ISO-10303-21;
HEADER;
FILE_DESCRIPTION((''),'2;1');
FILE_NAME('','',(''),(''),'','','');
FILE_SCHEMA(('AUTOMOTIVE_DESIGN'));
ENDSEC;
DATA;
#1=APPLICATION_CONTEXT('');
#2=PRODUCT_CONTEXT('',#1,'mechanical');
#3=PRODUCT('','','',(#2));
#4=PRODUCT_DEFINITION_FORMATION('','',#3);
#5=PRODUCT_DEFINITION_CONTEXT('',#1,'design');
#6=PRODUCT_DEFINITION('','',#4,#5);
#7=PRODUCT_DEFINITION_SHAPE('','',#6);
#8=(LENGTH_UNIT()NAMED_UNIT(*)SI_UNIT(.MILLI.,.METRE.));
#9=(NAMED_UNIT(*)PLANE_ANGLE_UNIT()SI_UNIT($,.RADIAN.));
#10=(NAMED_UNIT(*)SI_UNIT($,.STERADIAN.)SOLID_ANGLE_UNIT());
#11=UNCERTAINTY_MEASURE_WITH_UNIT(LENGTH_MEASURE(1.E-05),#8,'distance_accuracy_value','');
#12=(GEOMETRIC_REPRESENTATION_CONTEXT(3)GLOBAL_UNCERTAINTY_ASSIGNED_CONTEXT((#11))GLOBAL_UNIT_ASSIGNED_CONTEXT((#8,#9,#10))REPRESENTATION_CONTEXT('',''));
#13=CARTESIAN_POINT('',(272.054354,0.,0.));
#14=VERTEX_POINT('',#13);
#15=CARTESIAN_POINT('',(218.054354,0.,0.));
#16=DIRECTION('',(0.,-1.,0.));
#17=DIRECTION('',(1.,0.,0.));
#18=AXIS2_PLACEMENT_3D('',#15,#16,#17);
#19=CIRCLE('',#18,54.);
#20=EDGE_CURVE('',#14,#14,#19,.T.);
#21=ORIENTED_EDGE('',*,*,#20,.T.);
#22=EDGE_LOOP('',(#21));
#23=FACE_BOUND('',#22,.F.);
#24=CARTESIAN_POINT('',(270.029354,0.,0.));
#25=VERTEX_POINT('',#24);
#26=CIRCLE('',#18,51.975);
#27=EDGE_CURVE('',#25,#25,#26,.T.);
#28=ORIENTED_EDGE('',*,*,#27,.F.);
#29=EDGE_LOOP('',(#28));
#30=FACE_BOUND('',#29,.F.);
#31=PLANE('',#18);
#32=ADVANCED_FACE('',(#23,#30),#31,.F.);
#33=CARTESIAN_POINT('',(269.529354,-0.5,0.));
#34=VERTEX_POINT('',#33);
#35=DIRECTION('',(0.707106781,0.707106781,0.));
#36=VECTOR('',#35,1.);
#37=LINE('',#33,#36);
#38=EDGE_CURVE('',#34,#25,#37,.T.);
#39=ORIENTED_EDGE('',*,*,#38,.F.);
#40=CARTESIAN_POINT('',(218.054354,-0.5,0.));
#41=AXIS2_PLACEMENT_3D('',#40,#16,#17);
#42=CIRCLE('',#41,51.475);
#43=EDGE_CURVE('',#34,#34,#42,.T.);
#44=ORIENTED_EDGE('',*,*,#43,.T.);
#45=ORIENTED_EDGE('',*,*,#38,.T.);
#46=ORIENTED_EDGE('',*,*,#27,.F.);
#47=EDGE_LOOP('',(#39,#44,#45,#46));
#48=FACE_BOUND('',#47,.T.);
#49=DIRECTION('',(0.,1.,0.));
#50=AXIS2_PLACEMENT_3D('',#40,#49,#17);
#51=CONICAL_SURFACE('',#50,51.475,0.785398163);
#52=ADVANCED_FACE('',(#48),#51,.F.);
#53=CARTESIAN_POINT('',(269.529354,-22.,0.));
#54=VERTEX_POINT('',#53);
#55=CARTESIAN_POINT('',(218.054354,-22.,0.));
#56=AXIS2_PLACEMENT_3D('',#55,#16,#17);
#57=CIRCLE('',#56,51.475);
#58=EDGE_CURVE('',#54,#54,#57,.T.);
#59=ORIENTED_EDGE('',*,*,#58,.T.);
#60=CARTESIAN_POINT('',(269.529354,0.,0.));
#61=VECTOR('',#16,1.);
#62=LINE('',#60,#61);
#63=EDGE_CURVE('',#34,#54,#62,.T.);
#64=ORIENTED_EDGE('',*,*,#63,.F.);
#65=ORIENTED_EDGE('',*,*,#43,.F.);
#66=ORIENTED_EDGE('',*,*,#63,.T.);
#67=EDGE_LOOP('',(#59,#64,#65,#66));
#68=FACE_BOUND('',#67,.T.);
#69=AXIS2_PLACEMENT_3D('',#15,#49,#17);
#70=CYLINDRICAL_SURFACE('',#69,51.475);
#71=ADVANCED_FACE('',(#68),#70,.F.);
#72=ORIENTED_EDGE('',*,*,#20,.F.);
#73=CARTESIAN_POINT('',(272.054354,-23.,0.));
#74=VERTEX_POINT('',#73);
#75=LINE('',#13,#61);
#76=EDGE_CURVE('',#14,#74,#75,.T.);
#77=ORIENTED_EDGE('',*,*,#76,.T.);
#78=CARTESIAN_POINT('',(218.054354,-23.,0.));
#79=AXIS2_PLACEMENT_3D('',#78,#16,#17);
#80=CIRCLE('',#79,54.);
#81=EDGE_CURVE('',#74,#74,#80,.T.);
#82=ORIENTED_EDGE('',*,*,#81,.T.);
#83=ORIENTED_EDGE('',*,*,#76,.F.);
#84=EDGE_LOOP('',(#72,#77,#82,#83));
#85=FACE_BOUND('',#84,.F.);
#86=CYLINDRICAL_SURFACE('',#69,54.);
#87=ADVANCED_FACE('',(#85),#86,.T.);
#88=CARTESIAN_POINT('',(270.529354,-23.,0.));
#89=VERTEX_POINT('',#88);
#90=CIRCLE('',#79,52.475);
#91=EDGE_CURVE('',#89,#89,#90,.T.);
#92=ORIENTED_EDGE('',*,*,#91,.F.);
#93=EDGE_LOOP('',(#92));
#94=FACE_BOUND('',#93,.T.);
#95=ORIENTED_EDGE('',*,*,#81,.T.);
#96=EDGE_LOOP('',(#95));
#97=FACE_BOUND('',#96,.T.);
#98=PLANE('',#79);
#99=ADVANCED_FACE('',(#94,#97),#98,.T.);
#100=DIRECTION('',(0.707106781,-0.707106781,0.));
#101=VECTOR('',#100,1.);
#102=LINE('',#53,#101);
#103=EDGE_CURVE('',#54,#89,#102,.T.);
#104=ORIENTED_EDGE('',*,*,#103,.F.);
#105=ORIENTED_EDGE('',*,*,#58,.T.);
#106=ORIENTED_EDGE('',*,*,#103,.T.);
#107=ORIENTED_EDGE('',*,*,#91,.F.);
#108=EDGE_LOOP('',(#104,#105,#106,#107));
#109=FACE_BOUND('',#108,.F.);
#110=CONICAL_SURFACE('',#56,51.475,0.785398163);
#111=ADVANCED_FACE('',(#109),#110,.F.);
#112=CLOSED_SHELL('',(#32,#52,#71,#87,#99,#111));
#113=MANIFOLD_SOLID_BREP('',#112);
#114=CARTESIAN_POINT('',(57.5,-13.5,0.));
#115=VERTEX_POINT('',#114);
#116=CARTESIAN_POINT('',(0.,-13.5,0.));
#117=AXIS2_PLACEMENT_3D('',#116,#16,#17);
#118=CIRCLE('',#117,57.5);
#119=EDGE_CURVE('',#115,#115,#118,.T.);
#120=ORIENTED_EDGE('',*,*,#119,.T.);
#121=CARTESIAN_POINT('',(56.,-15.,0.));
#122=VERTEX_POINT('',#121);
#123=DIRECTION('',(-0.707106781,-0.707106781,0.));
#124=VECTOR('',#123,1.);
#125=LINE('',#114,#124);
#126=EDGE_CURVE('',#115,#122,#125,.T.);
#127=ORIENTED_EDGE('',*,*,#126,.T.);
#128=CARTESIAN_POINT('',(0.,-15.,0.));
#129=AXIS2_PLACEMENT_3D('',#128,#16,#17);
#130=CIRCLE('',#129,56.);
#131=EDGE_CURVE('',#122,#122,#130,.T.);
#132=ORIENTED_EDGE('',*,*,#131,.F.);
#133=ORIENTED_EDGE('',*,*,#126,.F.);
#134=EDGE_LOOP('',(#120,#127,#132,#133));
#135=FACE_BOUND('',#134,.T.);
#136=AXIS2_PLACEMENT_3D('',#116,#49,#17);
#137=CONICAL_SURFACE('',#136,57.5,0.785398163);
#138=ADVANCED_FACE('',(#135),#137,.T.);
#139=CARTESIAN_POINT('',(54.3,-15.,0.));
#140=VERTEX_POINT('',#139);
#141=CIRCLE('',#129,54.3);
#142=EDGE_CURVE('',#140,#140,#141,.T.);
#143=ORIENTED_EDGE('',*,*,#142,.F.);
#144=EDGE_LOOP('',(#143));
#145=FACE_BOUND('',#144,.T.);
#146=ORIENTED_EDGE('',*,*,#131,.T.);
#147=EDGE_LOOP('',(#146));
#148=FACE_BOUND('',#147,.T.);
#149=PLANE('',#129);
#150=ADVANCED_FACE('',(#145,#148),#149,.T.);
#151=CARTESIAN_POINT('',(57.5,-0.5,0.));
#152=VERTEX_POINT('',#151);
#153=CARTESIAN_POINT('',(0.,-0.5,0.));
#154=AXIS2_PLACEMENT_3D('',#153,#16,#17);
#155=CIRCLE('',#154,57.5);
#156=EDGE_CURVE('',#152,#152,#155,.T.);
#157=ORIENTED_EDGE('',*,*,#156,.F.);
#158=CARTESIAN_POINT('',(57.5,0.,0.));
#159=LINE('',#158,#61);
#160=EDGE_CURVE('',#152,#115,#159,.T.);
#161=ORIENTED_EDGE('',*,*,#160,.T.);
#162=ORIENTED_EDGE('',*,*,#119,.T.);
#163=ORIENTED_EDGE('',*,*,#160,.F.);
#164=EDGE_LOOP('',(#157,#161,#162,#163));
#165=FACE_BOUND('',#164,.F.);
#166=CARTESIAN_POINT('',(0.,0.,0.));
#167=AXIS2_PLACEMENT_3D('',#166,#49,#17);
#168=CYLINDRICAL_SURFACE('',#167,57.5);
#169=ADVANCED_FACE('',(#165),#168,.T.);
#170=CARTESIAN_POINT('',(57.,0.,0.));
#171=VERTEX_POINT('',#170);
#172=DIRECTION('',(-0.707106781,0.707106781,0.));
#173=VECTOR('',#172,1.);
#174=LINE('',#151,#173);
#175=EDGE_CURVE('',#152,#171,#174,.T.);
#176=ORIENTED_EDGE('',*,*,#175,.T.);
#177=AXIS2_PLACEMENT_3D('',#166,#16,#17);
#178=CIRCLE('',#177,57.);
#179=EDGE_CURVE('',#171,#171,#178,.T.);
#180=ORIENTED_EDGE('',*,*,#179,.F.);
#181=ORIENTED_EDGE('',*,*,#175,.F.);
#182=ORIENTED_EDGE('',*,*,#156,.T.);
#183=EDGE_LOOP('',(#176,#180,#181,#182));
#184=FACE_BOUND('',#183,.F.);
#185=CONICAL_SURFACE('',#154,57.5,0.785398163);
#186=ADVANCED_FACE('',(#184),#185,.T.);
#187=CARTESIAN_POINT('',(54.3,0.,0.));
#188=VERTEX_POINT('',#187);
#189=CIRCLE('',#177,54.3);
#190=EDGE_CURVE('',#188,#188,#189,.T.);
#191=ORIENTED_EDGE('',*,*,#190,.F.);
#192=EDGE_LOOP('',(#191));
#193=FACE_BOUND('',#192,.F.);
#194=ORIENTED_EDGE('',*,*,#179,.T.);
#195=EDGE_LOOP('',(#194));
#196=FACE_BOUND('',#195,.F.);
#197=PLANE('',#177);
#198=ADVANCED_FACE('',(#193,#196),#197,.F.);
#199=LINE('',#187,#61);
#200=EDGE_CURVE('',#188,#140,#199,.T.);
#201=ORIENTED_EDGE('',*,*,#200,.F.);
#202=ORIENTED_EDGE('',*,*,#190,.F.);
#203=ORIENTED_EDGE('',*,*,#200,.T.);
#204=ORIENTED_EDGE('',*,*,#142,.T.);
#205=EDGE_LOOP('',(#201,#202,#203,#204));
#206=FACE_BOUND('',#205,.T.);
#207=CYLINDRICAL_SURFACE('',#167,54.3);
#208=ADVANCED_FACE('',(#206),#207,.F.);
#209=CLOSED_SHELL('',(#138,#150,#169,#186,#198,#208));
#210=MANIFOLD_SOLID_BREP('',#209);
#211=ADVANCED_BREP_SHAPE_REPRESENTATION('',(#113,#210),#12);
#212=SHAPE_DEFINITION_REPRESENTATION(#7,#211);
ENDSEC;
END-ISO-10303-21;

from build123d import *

# Parameters (mm, degrees)
F1_R     = 54
F1_R_2   = 51.475
F2_DEPTH = 23
F3_SIZE  = 1
F4_SIZE  = 0.5
F0_R     = 57.5
F0_R_2   = 54.3
F5_DEPTH = 15
F6_SIZE  = 1.5
F7_SIZE  = 0.5


with BuildPart() as f2:
    # F1 (on Front) → F2 (new body)
    with BuildSketch(Plane.XZ):
        with Locations((218.054354, 0)):
            Circle(F1_R)
        with Locations((218.054354, 0)):
            Circle(F1_R_2, mode=Mode.SUBTRACT)
    extrude(amount=F2_DEPTH)

    # F3
    f3_edges = [f2.edges().sort_by_distance(p)[0] for p in [
        (166.579354, -23, 0),
    ]]
    chamfer(f3_edges, length=F3_SIZE)

    # F4
    f4_edges = [f2.edges().sort_by_distance(p)[0] for p in [
        (166.579354, 0, 0),
    ]]
    chamfer(f4_edges, length=F4_SIZE)


with BuildPart() as f5:
    # F0 (on Front) → F5 (new body)
    with BuildSketch(Plane.XZ):
        Circle(F0_R)
        Circle(F0_R_2, mode=Mode.SUBTRACT)
    extrude(amount=F5_DEPTH)

    # F6
    f6_edges = [f5.edges().sort_by_distance(p)[0] for p in [
        (-57.5, -15, 0),
    ]]
    chamfer(f6_edges, length=F6_SIZE)

    # F7
    f7_edges = [f5.edges().sort_by_distance(p)[0] for p in [
        (-57.5, 0, 0),
    ]]
    chamfer(f7_edges, length=F7_SIZE)


solid = Compound([f2.part, f5.part])
